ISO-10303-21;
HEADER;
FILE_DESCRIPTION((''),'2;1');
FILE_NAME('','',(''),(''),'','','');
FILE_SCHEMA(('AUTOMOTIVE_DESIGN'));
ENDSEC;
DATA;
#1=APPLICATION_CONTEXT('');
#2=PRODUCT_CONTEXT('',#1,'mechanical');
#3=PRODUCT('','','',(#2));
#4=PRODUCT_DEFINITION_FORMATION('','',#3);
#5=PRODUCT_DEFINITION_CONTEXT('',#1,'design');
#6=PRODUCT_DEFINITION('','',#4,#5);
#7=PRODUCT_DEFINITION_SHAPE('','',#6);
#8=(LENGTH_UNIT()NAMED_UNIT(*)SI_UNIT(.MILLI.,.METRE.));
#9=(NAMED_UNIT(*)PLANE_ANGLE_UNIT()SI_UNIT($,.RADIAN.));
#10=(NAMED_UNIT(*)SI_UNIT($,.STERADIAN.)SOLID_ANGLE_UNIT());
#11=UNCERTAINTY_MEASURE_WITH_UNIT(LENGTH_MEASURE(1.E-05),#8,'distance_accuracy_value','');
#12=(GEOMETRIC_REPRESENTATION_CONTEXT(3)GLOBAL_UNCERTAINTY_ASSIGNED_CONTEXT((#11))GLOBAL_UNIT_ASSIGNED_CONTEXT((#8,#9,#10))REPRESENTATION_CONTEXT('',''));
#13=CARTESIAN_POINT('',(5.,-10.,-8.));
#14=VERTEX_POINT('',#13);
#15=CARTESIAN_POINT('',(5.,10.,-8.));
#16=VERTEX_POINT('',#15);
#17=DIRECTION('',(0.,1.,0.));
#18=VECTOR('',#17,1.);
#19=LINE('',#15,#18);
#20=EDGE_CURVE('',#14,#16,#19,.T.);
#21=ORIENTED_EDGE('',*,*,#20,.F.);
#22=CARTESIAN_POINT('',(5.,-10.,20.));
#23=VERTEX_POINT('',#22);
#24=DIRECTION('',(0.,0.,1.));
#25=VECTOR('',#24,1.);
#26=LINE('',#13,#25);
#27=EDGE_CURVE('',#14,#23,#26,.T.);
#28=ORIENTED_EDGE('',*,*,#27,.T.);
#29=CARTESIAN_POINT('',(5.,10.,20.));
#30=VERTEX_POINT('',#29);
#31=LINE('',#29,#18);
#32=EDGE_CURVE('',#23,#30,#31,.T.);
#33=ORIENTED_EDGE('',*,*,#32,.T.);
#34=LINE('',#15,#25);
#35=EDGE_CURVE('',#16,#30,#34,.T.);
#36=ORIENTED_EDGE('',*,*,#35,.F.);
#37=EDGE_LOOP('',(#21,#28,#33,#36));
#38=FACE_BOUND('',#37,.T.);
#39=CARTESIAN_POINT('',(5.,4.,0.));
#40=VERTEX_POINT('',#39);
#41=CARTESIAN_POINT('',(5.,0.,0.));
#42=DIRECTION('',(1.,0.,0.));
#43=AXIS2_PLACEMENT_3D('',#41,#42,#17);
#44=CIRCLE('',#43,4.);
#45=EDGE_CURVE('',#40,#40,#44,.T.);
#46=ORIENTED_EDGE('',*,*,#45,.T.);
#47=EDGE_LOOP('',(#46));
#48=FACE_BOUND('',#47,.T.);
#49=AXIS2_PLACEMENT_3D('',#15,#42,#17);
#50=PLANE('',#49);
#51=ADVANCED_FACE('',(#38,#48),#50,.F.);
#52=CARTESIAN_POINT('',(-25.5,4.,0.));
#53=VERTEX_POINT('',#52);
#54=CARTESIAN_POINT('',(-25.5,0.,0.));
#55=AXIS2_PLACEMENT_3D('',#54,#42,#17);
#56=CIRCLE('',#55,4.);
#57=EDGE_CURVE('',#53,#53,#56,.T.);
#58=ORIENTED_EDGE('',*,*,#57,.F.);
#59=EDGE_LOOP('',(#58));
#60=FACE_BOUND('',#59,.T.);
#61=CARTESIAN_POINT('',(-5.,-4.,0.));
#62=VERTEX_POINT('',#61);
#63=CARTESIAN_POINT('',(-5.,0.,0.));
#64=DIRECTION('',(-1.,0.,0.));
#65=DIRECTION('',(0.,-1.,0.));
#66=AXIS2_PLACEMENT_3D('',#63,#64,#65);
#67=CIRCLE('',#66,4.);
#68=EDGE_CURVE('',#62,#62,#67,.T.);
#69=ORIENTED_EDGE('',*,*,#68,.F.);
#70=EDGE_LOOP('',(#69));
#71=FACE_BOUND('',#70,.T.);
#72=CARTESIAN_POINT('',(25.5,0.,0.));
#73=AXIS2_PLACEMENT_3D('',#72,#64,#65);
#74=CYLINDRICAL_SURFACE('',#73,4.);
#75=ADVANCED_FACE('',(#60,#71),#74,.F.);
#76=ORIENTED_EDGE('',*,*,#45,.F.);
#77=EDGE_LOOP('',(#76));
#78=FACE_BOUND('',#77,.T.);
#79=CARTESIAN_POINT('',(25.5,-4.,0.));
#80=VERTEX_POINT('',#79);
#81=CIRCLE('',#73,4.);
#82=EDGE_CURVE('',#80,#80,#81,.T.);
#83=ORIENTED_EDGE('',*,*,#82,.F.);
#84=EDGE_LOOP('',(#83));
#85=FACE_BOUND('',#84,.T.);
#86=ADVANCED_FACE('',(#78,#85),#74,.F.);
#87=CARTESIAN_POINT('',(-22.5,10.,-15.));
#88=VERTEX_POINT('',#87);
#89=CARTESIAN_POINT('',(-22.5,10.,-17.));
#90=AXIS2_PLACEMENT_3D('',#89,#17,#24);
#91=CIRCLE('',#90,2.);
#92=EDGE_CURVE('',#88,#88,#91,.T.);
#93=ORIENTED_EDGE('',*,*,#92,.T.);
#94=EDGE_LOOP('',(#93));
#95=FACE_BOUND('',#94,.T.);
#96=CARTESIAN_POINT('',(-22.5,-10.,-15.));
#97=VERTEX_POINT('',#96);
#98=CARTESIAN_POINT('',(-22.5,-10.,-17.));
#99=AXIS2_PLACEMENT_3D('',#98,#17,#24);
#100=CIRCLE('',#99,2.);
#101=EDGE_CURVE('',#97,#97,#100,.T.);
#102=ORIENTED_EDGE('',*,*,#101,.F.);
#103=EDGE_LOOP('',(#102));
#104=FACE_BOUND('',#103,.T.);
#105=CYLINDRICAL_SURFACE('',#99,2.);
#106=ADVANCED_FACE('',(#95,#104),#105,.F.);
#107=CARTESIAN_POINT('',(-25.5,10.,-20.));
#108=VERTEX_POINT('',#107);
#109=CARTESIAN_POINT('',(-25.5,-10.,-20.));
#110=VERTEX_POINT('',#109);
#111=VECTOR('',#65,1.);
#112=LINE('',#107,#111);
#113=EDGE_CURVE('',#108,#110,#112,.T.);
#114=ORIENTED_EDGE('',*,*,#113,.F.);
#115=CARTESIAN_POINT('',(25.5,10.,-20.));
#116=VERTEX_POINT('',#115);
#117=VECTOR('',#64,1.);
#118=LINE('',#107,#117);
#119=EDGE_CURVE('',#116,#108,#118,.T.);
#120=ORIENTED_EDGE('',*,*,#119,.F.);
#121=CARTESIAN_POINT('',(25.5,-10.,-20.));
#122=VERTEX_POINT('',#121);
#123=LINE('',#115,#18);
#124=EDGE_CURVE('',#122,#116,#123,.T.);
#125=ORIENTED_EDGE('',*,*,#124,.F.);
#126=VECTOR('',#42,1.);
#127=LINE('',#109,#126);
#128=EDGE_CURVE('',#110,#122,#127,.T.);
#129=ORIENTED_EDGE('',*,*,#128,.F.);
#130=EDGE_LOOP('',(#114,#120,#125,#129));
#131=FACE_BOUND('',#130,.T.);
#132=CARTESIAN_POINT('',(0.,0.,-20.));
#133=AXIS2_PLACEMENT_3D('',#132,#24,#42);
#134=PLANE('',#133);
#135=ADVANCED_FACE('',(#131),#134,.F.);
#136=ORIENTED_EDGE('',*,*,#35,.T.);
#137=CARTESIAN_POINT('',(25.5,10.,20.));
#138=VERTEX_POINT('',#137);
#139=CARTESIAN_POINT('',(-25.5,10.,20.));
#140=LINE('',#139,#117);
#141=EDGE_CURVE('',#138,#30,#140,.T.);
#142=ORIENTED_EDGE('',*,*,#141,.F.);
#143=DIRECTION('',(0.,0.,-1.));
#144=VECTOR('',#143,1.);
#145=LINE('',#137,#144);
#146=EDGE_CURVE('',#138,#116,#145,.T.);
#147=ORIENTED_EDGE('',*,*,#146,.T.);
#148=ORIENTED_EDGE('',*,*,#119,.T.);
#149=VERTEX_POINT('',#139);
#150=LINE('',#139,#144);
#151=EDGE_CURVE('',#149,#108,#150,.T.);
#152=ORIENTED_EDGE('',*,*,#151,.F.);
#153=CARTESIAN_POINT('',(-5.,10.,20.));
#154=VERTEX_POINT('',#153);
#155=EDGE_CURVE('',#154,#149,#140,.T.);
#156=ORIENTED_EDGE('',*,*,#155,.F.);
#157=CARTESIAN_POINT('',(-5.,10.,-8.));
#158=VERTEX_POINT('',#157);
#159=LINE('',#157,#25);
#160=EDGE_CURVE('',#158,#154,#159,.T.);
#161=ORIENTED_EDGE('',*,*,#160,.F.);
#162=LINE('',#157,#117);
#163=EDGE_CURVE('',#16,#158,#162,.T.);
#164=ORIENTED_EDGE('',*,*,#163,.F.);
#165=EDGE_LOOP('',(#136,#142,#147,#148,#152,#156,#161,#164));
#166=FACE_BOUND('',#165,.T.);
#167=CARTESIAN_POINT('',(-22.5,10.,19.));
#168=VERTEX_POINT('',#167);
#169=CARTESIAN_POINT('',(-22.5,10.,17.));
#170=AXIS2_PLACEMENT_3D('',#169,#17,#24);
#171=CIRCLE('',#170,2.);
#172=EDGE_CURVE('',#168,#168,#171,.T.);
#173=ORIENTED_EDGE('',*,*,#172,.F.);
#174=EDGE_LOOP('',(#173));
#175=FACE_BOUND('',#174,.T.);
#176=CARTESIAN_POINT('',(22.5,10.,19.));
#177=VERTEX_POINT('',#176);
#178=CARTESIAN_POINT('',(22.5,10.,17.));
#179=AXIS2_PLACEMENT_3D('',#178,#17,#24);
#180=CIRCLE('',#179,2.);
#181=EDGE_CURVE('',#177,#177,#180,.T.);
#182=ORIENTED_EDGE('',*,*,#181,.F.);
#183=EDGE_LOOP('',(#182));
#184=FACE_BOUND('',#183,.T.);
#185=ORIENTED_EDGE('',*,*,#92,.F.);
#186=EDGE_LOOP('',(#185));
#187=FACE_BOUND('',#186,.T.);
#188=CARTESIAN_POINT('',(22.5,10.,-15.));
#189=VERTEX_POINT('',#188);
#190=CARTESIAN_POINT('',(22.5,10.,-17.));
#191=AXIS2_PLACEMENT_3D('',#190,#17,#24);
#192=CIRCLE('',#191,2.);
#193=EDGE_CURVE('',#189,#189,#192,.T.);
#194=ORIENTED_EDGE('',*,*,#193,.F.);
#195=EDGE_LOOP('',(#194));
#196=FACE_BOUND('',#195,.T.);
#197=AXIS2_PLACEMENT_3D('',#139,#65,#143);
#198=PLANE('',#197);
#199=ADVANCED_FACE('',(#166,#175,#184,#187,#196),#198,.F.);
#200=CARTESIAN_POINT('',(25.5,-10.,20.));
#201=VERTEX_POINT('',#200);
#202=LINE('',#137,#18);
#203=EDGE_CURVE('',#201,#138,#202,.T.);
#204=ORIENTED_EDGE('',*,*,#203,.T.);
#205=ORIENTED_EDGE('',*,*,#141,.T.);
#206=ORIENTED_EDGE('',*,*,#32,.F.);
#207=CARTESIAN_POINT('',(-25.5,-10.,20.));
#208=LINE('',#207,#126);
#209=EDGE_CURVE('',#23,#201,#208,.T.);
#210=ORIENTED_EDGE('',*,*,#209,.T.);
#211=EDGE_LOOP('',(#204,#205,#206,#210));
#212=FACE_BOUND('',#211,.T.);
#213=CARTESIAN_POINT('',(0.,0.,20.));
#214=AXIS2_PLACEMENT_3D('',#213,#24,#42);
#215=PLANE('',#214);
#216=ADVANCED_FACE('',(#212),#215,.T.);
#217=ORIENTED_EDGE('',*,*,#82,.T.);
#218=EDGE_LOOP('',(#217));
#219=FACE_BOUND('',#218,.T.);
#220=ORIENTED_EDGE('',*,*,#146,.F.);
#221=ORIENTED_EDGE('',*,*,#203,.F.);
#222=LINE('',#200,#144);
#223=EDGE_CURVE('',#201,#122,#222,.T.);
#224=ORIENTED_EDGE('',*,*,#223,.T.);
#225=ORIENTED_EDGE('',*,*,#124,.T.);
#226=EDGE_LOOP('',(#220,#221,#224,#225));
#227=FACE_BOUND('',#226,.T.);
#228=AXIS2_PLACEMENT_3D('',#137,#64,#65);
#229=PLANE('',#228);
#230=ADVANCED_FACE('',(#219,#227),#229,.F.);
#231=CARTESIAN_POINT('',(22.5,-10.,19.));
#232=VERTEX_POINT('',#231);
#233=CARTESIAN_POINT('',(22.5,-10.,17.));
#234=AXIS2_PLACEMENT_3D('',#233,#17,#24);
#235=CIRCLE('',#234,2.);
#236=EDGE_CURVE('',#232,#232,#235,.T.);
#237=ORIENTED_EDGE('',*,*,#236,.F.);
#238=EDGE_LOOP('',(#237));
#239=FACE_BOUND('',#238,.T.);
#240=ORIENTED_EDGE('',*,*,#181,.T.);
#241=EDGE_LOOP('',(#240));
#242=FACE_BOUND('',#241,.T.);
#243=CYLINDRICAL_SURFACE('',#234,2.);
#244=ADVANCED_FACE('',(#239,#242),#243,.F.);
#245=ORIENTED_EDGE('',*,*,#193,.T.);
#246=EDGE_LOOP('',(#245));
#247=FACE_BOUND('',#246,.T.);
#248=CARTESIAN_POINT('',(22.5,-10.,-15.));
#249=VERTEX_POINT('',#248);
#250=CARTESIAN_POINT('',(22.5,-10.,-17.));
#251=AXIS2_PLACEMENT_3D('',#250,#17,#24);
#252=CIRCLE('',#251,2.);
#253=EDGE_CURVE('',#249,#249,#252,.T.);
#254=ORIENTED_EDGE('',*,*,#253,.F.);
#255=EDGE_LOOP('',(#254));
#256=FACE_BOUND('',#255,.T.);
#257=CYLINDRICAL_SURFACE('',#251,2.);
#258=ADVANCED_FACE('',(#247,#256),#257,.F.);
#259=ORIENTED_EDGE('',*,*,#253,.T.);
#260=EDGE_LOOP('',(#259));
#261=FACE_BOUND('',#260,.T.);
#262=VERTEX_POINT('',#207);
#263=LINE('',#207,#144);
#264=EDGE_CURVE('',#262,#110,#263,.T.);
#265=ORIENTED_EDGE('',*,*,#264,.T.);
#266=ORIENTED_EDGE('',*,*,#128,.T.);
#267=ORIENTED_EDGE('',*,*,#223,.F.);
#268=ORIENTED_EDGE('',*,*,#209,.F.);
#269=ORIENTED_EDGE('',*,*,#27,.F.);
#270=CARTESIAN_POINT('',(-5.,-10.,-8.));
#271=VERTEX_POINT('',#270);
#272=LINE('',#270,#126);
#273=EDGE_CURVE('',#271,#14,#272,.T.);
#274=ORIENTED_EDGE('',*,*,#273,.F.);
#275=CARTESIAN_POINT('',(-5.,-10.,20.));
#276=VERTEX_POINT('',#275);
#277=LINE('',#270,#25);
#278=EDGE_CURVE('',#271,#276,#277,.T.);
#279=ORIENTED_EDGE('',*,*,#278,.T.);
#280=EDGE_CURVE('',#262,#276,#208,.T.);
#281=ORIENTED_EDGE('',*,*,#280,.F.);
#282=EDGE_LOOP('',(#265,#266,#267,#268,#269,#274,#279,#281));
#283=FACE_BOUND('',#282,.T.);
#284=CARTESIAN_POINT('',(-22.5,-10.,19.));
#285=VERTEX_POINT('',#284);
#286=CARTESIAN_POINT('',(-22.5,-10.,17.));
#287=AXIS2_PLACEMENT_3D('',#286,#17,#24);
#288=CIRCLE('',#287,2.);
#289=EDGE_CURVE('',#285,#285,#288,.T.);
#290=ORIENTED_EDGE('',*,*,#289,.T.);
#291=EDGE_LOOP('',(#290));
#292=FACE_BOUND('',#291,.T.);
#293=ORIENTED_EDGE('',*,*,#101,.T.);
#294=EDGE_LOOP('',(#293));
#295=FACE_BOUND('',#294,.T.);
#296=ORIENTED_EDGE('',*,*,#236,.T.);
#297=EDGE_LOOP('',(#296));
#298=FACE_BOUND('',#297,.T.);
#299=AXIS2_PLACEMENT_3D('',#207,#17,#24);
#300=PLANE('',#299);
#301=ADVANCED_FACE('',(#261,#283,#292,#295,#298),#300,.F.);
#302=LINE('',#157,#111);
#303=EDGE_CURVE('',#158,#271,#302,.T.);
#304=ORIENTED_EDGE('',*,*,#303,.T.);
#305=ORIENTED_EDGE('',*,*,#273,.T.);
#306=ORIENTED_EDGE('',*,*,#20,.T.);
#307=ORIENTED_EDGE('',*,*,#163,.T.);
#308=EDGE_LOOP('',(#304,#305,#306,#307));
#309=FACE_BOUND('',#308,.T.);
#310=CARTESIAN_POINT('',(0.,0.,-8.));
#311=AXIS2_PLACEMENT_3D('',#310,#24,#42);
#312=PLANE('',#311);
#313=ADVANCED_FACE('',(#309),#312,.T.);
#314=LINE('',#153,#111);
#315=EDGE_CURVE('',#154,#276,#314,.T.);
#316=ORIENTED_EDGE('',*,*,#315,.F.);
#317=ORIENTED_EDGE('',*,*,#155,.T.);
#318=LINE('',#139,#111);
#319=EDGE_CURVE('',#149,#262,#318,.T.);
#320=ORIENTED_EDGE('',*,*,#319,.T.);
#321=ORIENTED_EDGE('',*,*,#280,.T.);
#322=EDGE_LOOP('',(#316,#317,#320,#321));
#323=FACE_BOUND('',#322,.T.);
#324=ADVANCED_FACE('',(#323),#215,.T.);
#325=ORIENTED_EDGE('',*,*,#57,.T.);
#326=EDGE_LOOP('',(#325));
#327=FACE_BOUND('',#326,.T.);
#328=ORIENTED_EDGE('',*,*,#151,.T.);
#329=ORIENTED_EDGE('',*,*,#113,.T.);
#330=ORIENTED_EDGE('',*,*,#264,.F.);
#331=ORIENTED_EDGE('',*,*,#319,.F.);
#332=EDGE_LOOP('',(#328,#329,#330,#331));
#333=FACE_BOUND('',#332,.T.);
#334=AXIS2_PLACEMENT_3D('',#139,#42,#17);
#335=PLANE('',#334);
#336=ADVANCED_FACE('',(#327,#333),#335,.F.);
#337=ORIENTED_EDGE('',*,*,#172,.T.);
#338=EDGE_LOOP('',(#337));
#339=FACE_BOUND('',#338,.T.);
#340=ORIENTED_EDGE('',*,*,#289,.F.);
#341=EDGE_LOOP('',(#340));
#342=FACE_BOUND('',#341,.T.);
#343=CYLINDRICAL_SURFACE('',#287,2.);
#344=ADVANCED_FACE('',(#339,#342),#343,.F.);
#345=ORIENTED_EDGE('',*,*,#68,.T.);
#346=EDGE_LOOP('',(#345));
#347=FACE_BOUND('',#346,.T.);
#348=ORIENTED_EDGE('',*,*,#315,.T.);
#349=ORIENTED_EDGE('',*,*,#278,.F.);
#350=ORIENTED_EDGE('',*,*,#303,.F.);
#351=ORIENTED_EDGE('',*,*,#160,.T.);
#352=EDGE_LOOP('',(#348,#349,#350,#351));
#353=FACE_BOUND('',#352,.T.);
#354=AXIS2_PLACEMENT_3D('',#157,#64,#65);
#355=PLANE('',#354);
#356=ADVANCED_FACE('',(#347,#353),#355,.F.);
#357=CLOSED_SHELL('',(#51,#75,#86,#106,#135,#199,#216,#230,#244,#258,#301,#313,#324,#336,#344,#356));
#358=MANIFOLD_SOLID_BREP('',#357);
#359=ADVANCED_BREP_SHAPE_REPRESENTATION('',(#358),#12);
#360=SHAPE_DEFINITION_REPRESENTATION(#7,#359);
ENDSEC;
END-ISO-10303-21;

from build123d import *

# Parameters (mm, degrees)
SKETCH_1_W               = 51
SKETCH_1_H               = 20
EXTRUDE_1_DEPTH          = 20
SKETCH_2_W               = 10
SKETCH_2_H               = 20
CUT_EXTRUDE_1_DEPTH      = 28
SKETCH_3_R               = 4
CUT_EXTRUDE_2_DEPTH      = 1
CUT_EXTRUDE_2_DEPTH_BACK = 52
SKETCH_4_R               = 2
CUT_EXTRUDE_3_DEPTH      = 21


with BuildPart() as part:
    # 草图1 → 凸台-拉伸1 (new body, symmetric)
    with BuildSketch(Plane.XY):
        Rectangle(SKETCH_1_W, SKETCH_1_H)
    extrude(amount=EXTRUDE_1_DEPTH, both=True)

    # 草图2 → 切除-拉伸1 (cut)
    with BuildSketch(Plane.XY.offset(20)):
        Rectangle(SKETCH_2_W, SKETCH_2_H)
    extrude(amount=-CUT_EXTRUDE_1_DEPTH, mode=Mode.SUBTRACT)

    # 草图3 → 切除-拉伸2 (cut, two sides)
    with BuildSketch(Plane.ZY.offset(25.5)) as cut_extrude_2_sk:
        Circle(SKETCH_3_R)
    extrude(amount=CUT_EXTRUDE_2_DEPTH, mode=Mode.SUBTRACT)
    extrude(cut_extrude_2_sk.sketch, amount=-CUT_EXTRUDE_2_DEPTH_BACK, mode=Mode.SUBTRACT)

    # 草图4 → 切除-拉伸3 (cut, through all)
    with BuildSketch(Plane(origin=(0, 10, 0), x_dir=(1, 0, 0), z_dir=(0, 1, 0))):
        with Locations((-22.5, 17)):
            Circle(SKETCH_4_R)
        with Locations((22.5, -17)):
            Circle(SKETCH_4_R)
        with Locations((22.5, 17)):
            Circle(SKETCH_4_R)
        with Locations((-22.5, -17)):
            Circle(SKETCH_4_R)
    extrude(amount=-CUT_EXTRUDE_3_DEPTH, mode=Mode.SUBTRACT)


solid = part.part
